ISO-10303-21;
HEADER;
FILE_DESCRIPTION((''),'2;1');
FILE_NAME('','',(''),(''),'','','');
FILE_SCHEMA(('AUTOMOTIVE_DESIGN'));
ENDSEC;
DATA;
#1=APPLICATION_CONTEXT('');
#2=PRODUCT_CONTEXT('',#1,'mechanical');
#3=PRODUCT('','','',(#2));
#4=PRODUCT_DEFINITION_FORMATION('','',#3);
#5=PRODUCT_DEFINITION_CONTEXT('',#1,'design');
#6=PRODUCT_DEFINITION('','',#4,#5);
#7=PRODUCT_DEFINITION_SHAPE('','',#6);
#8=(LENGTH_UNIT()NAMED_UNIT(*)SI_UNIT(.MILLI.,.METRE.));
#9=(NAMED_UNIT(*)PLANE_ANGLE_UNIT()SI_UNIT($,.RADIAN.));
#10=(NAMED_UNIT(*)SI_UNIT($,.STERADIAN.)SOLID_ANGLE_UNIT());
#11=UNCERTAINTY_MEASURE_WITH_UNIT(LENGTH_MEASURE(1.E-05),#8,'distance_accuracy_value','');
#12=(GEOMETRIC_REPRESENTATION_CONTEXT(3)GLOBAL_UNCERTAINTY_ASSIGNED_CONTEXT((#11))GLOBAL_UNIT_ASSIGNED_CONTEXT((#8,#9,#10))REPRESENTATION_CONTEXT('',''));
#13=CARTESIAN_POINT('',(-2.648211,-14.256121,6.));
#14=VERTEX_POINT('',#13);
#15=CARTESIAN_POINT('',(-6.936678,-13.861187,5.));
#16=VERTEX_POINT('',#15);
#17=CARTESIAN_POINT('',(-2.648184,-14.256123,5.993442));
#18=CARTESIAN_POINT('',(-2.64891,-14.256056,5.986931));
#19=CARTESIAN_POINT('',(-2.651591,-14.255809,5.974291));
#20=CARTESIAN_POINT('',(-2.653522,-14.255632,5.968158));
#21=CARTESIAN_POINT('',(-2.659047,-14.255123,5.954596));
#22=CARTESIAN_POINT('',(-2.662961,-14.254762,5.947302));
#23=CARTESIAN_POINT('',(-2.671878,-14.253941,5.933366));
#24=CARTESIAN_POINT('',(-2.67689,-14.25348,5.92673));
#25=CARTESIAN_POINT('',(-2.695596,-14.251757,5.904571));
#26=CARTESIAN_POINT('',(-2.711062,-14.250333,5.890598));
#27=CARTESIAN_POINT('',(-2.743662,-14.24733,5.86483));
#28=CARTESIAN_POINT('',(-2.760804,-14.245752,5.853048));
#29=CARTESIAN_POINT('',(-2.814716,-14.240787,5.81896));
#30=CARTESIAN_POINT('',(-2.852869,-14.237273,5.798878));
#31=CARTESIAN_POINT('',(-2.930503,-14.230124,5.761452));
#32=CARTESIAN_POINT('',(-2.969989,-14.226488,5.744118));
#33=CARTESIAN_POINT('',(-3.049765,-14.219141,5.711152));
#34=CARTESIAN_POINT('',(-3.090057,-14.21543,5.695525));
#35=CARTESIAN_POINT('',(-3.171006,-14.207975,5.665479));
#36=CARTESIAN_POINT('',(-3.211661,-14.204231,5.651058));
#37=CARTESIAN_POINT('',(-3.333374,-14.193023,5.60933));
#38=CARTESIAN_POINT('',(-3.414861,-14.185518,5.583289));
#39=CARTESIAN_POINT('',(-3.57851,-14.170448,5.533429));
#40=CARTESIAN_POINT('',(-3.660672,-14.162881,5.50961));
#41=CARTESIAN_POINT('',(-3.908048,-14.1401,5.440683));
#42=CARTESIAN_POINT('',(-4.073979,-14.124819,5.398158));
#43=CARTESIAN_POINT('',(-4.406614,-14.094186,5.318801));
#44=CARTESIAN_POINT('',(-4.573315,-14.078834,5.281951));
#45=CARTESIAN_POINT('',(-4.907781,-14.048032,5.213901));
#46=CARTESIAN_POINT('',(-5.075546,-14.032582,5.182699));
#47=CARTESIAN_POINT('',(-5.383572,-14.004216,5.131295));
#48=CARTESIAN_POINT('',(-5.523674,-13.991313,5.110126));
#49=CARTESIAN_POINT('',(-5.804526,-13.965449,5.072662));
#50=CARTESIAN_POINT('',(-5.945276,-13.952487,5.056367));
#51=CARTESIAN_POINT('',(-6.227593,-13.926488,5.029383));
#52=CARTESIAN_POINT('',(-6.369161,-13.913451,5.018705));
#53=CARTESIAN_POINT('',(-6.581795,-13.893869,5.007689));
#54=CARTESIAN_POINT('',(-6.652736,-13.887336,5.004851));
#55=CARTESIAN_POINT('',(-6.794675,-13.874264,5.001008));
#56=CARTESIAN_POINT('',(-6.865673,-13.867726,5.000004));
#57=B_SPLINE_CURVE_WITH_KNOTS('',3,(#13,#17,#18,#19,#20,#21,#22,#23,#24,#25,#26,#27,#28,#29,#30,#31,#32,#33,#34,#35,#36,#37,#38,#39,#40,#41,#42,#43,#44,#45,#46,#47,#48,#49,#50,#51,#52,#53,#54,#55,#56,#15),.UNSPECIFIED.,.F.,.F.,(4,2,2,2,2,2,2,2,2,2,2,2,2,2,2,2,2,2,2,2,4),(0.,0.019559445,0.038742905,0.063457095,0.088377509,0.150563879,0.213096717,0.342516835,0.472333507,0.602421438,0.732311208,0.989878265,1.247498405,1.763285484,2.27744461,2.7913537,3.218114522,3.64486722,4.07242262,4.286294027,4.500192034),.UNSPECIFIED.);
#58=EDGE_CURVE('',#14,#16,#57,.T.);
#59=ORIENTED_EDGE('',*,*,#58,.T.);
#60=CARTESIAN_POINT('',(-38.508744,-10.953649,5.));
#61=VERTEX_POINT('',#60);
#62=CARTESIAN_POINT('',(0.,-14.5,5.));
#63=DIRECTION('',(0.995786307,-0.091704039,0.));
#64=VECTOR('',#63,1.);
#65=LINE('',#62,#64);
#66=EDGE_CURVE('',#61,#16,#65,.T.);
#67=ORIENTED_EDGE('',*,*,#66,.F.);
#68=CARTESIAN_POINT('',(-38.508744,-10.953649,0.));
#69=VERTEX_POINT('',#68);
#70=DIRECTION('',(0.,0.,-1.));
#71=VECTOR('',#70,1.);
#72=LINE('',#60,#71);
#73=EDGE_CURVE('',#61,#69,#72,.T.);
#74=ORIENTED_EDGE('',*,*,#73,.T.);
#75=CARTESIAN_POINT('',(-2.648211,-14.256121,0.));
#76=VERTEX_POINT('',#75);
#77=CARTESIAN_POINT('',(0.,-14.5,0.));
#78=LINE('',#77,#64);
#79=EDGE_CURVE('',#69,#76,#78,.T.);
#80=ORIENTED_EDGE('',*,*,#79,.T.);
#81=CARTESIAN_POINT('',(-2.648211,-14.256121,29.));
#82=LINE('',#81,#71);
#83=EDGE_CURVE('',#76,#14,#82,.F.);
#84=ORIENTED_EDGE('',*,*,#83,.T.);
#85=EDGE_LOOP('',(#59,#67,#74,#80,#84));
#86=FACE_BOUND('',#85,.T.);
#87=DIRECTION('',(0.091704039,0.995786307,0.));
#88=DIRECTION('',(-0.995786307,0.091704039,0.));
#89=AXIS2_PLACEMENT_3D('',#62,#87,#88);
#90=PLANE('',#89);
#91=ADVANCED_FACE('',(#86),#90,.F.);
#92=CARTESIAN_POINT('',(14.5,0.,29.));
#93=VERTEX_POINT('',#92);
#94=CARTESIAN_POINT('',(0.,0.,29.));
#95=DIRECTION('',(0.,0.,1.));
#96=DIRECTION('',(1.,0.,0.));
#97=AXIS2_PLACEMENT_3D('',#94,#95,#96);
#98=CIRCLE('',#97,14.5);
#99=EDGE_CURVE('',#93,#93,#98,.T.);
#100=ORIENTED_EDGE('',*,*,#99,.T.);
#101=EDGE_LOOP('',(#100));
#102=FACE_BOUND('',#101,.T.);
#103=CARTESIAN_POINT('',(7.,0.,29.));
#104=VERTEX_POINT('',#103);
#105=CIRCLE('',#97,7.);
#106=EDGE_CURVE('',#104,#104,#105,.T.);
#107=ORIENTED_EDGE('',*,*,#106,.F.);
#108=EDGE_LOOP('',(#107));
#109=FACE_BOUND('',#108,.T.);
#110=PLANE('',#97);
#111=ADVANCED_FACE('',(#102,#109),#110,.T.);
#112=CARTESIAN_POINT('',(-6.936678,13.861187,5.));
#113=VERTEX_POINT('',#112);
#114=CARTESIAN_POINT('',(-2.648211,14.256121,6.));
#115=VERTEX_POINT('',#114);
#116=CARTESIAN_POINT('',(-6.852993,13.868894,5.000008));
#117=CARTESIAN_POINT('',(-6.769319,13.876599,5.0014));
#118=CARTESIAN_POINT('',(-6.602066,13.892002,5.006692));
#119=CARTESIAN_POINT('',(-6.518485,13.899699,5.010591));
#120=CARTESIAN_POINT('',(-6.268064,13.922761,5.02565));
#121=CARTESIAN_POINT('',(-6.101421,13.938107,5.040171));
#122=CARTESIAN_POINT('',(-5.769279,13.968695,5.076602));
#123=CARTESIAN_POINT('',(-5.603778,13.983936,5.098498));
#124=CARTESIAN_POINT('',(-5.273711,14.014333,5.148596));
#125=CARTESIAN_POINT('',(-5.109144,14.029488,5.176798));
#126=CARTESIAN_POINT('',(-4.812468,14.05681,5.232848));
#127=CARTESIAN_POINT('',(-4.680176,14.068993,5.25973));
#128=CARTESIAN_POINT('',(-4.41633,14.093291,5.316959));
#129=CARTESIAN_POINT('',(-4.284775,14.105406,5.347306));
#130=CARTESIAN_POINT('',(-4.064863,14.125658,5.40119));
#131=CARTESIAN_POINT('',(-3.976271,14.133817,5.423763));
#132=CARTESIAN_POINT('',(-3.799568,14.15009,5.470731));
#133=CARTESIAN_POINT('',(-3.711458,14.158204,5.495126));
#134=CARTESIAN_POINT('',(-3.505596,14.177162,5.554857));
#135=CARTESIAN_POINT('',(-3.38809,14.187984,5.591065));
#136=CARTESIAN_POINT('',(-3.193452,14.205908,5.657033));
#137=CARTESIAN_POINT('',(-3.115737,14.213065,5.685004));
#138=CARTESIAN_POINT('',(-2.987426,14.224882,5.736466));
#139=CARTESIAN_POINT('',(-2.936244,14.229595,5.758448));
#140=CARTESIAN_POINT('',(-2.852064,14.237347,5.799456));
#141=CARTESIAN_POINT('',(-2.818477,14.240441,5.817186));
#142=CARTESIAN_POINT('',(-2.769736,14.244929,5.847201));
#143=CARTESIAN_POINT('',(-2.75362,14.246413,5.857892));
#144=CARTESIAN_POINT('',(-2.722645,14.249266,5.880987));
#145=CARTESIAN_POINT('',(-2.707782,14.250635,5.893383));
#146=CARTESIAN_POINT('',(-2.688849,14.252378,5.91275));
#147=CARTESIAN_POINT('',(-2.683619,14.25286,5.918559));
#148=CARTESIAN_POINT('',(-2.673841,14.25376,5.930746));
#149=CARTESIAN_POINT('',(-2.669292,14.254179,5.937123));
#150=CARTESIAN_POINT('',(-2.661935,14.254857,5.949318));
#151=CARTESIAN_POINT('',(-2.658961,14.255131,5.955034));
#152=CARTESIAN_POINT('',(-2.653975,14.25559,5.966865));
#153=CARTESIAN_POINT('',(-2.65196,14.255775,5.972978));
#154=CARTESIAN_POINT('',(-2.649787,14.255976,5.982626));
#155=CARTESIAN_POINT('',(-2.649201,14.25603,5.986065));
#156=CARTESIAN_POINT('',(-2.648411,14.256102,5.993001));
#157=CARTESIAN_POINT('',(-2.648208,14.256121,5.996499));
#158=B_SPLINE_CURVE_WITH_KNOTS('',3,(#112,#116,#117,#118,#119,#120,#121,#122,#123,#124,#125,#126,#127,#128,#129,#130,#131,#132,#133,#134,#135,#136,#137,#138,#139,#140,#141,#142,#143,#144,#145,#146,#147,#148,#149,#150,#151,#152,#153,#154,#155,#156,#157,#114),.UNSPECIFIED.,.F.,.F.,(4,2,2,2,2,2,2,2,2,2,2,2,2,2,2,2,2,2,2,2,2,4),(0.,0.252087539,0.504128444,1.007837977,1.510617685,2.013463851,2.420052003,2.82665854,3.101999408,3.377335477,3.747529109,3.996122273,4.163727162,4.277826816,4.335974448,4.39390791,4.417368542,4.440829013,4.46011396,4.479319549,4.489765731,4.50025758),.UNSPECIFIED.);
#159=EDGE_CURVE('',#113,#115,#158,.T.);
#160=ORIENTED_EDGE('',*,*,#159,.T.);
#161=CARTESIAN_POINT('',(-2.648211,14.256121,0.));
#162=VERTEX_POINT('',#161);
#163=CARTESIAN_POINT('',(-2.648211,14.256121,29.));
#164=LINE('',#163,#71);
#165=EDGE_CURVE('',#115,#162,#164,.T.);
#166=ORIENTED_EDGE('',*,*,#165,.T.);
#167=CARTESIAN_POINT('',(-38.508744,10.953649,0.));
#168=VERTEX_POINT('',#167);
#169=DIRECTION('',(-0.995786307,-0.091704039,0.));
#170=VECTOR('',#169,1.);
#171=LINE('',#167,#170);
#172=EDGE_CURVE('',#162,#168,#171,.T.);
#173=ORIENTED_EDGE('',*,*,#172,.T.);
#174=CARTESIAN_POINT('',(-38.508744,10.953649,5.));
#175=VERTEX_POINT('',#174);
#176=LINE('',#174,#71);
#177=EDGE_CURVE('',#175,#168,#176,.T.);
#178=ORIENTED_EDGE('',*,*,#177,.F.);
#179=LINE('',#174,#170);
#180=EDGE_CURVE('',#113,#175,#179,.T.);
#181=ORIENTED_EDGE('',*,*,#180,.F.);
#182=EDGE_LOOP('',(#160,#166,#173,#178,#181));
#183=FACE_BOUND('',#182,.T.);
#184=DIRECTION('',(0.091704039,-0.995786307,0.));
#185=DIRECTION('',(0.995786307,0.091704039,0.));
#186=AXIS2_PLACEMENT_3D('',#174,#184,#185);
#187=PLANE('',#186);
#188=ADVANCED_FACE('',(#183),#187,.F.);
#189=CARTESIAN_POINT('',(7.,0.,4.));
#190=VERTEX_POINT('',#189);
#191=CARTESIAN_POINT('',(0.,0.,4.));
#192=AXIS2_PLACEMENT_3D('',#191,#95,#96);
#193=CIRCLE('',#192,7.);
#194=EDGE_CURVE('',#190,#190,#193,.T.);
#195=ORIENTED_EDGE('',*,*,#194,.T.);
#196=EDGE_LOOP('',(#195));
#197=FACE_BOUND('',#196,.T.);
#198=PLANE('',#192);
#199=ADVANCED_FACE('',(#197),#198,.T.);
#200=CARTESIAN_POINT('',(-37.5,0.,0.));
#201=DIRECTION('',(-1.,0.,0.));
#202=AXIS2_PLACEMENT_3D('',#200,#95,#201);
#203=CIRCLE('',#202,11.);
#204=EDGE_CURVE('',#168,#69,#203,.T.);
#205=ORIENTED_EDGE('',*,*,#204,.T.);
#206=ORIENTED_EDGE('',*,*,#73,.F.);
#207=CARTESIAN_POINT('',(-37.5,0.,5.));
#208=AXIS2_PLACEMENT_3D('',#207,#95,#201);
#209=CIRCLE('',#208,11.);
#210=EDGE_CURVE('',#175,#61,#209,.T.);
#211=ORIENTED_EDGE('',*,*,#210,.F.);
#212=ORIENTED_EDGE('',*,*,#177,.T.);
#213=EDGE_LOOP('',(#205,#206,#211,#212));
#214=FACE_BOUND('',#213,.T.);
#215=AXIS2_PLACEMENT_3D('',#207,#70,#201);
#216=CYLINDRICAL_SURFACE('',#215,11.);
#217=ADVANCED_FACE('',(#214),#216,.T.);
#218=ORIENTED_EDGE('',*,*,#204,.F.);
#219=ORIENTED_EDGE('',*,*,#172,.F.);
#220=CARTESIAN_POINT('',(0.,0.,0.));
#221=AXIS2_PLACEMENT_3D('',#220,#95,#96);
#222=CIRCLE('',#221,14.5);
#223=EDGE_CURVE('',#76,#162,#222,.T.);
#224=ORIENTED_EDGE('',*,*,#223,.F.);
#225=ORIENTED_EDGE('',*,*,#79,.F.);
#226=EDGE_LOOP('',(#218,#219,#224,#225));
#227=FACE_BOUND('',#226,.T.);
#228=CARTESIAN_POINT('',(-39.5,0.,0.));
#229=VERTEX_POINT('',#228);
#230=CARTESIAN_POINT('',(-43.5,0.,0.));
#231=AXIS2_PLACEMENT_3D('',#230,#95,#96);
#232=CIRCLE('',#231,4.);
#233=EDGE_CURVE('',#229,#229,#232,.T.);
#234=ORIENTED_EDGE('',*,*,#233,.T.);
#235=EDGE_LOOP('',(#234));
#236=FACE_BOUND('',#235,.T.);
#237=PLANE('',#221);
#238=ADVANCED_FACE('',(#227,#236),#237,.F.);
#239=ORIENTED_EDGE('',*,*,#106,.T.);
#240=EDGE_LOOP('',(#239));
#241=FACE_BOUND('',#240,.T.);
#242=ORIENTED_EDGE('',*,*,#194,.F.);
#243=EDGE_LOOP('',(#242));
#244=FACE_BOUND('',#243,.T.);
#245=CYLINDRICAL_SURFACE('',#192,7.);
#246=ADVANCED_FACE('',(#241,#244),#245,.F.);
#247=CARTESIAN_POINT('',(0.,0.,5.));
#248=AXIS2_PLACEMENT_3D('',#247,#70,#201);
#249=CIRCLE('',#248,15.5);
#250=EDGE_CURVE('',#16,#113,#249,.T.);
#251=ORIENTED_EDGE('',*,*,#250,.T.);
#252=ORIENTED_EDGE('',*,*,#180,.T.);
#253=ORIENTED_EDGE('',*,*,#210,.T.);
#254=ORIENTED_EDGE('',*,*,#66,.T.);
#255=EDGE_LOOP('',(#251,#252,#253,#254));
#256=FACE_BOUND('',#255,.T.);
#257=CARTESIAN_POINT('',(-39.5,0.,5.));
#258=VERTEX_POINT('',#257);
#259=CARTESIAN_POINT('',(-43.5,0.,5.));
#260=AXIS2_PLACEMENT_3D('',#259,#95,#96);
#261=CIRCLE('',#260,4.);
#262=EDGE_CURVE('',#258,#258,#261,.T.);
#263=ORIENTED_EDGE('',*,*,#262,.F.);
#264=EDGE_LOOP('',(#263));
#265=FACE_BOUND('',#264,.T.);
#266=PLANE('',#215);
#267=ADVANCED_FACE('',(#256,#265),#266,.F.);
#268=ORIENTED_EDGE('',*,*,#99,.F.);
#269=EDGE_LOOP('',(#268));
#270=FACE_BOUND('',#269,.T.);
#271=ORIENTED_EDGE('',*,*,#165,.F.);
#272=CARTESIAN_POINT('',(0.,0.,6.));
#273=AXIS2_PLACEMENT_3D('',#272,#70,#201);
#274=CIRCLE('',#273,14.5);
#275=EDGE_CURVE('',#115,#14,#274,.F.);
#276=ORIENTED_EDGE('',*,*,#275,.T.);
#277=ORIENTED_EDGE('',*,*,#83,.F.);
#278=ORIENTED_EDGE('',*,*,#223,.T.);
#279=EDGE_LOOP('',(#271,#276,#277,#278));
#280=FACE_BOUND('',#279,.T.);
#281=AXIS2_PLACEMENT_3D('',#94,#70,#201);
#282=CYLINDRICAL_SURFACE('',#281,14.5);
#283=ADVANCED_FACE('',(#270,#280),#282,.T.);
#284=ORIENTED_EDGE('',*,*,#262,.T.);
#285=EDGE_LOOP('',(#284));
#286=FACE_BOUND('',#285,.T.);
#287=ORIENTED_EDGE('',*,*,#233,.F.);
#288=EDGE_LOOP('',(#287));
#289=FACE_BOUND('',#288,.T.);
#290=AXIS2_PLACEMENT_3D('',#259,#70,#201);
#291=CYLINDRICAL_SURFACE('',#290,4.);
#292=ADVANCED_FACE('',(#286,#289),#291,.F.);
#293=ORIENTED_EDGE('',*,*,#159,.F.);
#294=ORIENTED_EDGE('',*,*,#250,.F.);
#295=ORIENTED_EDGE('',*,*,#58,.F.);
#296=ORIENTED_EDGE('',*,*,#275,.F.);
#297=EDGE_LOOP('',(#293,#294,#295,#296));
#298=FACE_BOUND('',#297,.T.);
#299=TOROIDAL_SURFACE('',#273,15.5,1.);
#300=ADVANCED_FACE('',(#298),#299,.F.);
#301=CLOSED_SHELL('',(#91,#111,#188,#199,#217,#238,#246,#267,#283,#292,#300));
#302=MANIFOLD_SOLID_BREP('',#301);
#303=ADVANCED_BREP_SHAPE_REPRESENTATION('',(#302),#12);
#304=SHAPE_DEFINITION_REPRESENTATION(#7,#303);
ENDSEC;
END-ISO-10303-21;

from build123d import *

# Parameters (mm, degrees)
SKETCH2_R           = 14.5
BOSS_EXTRUDE1_DEPTH = 29
SKETCH5_R           = 4
BOSS_EXTRUDE2_DEPTH = 5
FILLET1_R           = 1
SKETCH8_R           = 7
CUT_EXTRUDE1_DEPTH  = 25


with BuildPart() as part:
    # Sketch2 → Boss-Extrude1 (new body)
    with BuildSketch(Plane.XY):
        with Locations(Location((0, 0, 0), (0, 0, 180))):
            Circle(SKETCH2_R)
    extrude(amount=BOSS_EXTRUDE1_DEPTH)

    # Sketch5 → Boss-Extrude2 (add)
    with BuildSketch(Plane.XY):
        with BuildLine():
            Line((0, 14.5), (0, -14.5))
            Line((0, -14.5), (-38.508744426, -10.953649377))
            ThreePointArc((-38.508744426, -10.953649377), (-48.5, 0), (-38.508744426, 10.953649377))
            Line((-38.508744426, 10.953649377), (0, 14.5))
        make_face()
        with Locations((-43.5, 0)):
            Circle(SKETCH5_R, mode=Mode.SUBTRACT)
    extrude(amount=BOSS_EXTRUDE2_DEPTH)

    # Fillet1
    fillet1_edges = [part.edges().sort_by_distance(p)[0] for p in [
        (-11.15009107, -9.269599189, 5),
    ]]
    fillet(fillet1_edges, radius=FILLET1_R)

    # Sketch8 → Cut-Extrude1 (cut)
    with BuildSketch(Plane.XY.offset(29)):
        Circle(SKETCH8_R)
    extrude(amount=-CUT_EXTRUDE1_DEPTH, mode=Mode.SUBTRACT)


solid = part.part
